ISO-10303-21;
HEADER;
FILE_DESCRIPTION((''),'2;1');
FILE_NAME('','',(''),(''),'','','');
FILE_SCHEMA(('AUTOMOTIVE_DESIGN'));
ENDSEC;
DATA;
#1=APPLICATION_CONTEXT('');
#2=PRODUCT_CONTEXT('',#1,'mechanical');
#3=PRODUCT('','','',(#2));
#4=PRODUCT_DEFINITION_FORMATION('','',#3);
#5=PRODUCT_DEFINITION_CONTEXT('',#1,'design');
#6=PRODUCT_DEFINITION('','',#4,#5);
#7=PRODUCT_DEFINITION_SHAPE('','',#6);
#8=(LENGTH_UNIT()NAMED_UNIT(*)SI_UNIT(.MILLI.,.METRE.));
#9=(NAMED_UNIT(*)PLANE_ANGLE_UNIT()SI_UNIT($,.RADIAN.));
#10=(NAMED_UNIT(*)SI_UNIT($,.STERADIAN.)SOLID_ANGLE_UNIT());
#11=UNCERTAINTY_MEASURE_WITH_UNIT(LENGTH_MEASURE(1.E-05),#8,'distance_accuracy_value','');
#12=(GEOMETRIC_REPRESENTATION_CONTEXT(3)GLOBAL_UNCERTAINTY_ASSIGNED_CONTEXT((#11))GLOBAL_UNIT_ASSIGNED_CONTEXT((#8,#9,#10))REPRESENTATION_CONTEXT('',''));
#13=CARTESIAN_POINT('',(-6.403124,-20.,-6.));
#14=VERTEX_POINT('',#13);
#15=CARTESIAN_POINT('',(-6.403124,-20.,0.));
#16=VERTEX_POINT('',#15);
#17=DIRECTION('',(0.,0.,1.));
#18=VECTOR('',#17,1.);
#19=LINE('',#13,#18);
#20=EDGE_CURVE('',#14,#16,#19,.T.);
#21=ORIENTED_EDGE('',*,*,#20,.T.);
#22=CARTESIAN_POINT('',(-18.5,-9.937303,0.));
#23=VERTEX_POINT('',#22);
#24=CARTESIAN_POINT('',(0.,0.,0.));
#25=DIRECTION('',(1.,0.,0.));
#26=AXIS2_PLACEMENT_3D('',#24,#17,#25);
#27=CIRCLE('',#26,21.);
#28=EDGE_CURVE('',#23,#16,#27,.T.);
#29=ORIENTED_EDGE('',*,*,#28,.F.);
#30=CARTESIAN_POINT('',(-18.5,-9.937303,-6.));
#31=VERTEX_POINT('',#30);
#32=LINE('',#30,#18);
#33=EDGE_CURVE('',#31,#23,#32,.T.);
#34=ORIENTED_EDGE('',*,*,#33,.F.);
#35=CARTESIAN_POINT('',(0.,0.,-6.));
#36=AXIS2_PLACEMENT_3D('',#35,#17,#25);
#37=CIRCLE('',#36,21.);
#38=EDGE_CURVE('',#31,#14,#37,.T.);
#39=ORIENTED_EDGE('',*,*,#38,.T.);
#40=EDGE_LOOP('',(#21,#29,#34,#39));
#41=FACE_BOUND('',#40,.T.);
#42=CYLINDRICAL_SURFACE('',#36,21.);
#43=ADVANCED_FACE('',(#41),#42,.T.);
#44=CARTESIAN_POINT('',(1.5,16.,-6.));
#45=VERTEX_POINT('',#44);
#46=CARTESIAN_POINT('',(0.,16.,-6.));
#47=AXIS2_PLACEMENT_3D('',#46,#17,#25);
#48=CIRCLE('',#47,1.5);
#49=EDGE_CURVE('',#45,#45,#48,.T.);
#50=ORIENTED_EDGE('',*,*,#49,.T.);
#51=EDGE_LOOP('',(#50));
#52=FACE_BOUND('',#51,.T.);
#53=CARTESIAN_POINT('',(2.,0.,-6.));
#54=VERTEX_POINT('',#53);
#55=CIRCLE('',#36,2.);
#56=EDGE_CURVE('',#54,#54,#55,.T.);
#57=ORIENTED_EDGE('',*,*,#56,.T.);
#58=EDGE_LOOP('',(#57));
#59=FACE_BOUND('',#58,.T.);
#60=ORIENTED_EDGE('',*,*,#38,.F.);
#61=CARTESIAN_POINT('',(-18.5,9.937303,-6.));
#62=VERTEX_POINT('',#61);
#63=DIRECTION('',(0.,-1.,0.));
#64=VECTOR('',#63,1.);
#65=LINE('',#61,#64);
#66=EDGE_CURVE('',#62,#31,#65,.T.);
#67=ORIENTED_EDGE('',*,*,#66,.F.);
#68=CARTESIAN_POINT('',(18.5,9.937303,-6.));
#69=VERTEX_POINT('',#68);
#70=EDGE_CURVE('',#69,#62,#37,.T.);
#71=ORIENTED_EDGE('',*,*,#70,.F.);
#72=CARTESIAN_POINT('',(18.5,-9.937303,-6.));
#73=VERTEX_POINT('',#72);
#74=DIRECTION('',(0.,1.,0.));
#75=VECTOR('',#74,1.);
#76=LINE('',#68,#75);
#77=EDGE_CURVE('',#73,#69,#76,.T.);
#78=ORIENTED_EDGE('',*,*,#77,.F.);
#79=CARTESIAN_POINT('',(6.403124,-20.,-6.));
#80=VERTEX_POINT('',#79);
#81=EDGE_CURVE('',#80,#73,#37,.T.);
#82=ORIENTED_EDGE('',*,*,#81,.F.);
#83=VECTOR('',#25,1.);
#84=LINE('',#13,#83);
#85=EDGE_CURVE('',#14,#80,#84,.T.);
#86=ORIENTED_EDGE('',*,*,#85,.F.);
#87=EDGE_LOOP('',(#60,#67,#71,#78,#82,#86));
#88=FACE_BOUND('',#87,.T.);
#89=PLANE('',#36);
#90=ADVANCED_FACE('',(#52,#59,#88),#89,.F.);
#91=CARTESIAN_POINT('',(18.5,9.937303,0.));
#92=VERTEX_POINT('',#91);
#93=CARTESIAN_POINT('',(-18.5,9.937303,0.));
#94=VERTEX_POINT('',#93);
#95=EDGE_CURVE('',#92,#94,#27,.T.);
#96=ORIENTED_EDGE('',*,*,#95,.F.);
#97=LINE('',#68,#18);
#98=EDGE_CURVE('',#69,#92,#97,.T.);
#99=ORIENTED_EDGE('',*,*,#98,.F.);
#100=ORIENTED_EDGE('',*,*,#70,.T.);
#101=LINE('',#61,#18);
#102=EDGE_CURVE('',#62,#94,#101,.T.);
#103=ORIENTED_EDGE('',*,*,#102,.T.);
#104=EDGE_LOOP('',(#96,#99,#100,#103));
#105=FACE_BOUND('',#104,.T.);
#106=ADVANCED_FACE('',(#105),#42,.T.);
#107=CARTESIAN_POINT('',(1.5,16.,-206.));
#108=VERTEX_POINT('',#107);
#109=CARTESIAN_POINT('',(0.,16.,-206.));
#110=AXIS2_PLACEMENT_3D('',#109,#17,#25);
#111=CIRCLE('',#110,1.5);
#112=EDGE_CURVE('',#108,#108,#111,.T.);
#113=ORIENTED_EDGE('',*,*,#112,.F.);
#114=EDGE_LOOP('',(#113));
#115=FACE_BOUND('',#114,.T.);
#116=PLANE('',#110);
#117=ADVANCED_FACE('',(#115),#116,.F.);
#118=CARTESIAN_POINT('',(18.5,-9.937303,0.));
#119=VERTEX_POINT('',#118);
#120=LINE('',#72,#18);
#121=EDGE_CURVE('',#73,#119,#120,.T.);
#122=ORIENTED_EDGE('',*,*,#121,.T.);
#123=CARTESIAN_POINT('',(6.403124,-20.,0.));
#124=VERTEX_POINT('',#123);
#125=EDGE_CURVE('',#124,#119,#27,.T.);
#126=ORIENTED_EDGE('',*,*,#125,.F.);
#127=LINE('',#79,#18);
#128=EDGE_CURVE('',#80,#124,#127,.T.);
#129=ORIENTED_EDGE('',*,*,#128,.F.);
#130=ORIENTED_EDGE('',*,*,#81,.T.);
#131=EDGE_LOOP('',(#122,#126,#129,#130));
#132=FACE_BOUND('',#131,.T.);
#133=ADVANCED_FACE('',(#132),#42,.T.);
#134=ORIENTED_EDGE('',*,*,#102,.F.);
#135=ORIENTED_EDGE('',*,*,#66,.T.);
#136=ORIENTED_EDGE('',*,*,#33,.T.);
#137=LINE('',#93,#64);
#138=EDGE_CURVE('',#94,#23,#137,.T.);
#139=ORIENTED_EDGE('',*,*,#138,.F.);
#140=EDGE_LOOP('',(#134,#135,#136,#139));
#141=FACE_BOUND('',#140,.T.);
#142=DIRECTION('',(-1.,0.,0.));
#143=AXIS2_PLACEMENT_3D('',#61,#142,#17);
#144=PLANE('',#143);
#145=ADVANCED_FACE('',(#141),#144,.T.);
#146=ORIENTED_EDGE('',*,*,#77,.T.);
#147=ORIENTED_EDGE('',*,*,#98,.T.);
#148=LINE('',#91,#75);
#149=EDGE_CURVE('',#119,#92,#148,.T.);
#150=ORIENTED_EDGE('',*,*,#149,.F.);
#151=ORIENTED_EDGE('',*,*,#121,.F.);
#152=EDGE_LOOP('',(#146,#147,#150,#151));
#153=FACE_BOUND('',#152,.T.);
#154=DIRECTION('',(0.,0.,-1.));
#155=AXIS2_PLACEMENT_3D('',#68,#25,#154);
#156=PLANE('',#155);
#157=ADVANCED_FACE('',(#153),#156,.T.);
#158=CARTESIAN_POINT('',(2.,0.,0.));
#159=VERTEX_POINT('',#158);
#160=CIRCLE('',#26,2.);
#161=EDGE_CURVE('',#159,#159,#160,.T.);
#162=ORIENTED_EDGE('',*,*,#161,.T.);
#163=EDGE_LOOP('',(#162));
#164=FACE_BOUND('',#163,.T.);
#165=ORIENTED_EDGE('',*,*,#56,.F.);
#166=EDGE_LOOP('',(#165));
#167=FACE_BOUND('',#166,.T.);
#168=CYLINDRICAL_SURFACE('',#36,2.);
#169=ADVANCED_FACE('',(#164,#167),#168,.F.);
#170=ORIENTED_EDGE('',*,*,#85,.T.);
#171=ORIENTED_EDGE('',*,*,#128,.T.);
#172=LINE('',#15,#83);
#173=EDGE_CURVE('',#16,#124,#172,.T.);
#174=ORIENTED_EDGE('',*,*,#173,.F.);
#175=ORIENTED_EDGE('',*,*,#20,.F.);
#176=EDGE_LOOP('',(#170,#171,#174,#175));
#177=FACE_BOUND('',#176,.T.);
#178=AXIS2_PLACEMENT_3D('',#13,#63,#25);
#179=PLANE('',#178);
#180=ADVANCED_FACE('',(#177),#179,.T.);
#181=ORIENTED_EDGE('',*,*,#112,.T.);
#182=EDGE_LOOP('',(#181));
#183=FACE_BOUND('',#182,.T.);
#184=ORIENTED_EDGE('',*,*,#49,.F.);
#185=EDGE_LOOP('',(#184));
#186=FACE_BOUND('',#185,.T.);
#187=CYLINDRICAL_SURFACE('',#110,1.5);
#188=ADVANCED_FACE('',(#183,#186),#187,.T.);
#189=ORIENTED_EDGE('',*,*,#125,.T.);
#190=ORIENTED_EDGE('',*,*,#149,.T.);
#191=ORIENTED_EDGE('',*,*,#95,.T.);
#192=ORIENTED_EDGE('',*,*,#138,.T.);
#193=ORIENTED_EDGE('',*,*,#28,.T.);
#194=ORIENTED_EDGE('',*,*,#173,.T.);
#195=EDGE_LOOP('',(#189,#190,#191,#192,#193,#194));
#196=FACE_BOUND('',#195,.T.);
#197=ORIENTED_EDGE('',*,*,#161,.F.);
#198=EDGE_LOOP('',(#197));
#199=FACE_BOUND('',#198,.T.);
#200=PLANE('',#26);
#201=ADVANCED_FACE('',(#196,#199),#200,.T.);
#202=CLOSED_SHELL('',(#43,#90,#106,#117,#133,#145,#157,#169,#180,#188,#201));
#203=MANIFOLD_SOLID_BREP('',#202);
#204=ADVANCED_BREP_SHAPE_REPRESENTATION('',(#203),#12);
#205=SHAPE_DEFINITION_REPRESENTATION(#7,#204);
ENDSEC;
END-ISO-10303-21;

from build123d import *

# Parameters (mm, degrees)
SKETCH_1_R      = 2
SKETCH_1_R_2    = 1.5
EXTRUDE_1_DEPTH = 6
SKETCH_1_4_R    = 1.5
EXTRUDE_2_DEPTH = 206


with BuildPart() as part:
    # 草图1 → 凸台-拉伸1 (new body)
    with BuildSketch(Plane.XY):
        with BuildLine():
            Line((-18.5, 9.937303457), (-18.5, -9.937303457))
            ThreePointArc((-18.5, -9.937303457), (-13.429663608, -16.144476931), (-6.403124237, -20))
            Line((-6.403124237, -20), (6.403124237, -20))
            ThreePointArc((6.403124237, -20), (13.429663608, -16.144476931), (18.5, -9.937303457))
            Line((18.5, -9.937303457), (18.5, 9.937303457))
            ThreePointArc((18.5, 9.937303457), (0, 21), (-18.5, 9.937303457))
        make_face()
        Circle(SKETCH_1_R, mode=Mode.SUBTRACT)
        with Locations((0, 16)):
            Circle(SKETCH_1_R_2, mode=Mode.SUBTRACT)
    extrude(amount=-EXTRUDE_1_DEPTH)

    # 草图1<4> → 凸台-拉伸2 (add)
    with BuildSketch(Plane.XY):
        with Locations((0, 16)):
            Circle(SKETCH_1_4_R)
    extrude(amount=-EXTRUDE_2_DEPTH)


solid = part.part
